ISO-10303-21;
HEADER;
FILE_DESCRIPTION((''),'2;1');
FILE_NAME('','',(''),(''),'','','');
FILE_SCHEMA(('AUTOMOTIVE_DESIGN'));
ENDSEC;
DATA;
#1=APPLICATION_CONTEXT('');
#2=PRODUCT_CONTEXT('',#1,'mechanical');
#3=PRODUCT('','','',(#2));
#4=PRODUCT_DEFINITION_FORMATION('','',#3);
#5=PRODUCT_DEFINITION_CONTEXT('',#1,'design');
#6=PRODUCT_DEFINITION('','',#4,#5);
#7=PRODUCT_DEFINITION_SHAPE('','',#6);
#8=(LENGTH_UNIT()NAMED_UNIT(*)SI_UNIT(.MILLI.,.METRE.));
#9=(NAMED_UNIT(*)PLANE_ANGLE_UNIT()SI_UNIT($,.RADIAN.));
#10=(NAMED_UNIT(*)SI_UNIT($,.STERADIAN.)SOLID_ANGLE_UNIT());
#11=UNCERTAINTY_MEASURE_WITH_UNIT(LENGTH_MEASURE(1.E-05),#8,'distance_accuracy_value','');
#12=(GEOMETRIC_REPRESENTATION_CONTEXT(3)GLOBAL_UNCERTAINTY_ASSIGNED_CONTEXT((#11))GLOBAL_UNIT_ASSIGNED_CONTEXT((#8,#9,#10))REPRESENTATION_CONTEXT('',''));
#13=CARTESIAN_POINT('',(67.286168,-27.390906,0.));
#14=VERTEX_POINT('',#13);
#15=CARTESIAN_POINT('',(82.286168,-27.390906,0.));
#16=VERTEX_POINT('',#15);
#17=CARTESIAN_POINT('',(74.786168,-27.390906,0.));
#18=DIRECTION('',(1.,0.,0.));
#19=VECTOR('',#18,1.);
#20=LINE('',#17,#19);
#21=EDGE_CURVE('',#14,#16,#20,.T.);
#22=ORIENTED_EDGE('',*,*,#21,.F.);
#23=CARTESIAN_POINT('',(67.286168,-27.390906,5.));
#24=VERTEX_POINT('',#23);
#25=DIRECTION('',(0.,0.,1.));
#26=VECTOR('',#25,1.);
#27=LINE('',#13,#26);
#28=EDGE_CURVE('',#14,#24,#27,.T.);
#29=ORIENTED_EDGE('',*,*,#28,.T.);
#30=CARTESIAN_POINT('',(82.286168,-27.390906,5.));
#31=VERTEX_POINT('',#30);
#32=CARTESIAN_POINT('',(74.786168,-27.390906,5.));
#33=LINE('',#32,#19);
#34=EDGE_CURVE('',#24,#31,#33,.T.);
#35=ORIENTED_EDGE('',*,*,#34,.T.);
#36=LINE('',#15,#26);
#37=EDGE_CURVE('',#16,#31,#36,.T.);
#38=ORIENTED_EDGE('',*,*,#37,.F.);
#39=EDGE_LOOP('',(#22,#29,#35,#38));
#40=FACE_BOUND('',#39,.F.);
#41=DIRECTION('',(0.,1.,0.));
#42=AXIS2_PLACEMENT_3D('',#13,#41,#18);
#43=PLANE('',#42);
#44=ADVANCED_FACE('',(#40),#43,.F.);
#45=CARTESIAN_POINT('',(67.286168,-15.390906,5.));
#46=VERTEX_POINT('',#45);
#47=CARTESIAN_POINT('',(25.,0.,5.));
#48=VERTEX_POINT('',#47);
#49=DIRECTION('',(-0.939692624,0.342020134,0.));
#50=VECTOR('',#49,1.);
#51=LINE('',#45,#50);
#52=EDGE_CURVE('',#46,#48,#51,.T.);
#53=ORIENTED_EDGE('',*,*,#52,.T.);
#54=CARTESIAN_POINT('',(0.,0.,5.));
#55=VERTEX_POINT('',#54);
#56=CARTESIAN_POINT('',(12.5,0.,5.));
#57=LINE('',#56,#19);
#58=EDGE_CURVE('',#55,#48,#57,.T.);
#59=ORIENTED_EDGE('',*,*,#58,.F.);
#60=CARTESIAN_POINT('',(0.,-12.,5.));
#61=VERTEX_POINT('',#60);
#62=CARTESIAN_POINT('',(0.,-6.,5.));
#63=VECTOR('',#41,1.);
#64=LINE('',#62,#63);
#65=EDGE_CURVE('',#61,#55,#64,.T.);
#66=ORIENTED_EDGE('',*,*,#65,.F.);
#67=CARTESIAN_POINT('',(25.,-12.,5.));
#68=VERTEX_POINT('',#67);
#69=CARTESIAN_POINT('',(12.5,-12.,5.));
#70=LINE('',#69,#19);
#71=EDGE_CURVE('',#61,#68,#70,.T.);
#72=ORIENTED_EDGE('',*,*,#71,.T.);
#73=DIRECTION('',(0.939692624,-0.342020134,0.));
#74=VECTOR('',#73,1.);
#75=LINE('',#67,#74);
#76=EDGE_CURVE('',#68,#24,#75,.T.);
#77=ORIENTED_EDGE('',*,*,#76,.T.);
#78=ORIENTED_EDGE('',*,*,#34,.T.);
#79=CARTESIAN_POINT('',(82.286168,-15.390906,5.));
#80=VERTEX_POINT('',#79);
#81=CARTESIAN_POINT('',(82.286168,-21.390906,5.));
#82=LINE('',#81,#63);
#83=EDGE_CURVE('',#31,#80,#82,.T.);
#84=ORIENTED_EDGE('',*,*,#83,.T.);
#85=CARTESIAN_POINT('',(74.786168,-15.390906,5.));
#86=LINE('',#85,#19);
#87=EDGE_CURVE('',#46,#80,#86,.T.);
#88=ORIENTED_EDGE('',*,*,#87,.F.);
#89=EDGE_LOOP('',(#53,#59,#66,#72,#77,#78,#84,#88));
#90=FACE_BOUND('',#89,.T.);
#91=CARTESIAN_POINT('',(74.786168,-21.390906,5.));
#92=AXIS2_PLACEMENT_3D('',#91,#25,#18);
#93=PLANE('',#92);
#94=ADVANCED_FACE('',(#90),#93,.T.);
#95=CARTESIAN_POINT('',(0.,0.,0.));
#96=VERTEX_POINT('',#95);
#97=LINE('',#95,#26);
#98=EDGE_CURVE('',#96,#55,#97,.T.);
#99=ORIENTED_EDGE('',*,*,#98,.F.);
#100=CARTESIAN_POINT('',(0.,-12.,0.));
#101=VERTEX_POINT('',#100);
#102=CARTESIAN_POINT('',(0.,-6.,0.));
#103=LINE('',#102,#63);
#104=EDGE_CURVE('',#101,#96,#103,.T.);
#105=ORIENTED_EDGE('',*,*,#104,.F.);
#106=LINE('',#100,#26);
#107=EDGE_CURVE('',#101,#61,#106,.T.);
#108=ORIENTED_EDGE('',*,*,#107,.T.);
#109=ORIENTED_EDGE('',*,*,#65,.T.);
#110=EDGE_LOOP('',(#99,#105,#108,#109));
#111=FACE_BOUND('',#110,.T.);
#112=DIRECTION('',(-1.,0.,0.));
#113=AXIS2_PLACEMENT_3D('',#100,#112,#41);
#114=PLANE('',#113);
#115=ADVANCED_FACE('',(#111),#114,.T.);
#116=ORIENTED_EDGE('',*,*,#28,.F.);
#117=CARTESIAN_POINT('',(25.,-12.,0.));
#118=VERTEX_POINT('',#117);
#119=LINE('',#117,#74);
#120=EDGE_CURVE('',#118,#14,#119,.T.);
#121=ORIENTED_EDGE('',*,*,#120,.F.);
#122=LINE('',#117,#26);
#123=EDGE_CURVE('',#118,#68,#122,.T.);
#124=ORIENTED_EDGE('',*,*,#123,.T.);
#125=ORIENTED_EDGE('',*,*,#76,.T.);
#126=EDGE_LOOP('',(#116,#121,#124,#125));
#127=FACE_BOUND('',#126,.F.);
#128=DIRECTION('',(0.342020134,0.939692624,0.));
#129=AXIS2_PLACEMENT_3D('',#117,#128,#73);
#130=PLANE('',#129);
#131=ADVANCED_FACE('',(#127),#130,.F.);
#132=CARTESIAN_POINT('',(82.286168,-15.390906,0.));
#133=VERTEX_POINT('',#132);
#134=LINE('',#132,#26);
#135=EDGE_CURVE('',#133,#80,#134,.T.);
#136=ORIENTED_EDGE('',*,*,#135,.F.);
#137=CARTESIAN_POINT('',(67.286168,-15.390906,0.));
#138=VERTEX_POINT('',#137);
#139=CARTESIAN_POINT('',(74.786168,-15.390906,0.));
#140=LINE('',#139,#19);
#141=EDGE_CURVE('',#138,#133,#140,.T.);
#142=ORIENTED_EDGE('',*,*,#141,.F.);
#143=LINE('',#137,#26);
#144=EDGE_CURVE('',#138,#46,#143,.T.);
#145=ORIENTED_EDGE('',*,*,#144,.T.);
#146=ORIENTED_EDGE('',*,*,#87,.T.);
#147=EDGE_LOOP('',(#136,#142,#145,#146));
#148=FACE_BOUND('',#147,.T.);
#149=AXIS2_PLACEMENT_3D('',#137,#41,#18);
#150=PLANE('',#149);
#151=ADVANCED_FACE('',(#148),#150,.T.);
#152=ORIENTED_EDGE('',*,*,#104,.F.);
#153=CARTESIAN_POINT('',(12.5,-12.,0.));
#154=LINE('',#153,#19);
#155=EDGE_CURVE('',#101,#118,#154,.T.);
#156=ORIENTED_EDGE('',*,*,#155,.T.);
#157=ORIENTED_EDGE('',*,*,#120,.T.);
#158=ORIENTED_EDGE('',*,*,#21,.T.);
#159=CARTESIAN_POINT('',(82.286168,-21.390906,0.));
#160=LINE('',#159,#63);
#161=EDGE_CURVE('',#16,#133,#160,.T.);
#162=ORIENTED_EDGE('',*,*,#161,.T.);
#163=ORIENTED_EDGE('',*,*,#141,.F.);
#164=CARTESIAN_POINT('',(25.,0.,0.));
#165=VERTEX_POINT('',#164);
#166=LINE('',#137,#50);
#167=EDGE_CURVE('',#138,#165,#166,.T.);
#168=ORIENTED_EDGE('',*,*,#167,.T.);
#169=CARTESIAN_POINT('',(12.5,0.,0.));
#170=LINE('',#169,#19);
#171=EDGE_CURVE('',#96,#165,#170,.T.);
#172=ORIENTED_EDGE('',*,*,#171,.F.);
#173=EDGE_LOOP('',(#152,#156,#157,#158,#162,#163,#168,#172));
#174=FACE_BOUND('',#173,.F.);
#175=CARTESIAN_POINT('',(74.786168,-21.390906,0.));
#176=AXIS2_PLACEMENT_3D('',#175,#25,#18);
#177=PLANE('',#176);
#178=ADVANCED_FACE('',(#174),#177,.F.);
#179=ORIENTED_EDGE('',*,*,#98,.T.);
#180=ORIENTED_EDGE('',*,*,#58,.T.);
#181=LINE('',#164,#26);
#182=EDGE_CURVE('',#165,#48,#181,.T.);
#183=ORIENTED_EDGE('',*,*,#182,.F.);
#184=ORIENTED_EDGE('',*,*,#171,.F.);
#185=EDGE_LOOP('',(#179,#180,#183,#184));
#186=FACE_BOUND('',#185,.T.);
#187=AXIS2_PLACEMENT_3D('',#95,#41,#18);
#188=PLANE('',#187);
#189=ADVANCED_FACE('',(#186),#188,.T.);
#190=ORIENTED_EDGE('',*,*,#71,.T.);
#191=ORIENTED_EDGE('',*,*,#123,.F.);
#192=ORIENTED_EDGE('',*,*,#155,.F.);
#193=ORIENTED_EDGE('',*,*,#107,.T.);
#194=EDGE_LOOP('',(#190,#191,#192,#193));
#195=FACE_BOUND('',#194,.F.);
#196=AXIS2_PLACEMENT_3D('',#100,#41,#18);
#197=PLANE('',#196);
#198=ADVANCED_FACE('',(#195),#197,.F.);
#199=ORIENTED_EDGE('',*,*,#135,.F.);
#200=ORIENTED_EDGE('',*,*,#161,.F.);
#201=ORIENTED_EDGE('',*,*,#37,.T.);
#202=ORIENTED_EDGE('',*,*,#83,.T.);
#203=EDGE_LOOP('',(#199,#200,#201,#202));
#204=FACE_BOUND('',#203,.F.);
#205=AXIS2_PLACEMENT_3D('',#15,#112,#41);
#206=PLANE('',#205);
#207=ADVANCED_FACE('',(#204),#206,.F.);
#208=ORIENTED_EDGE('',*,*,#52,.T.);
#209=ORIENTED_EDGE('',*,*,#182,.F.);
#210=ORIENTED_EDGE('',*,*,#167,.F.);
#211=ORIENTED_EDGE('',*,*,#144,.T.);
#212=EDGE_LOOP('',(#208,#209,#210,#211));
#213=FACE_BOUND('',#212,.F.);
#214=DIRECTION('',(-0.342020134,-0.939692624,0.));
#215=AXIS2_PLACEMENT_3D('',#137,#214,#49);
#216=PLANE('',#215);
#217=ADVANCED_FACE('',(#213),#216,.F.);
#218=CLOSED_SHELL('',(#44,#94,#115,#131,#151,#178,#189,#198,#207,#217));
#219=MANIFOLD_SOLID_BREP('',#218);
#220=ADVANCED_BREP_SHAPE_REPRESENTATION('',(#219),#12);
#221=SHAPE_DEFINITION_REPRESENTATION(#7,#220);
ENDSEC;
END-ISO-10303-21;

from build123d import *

# Parameters (mm, degrees)
F0_W     = 15
F0_H     = 12
F0_W_2   = 25
F1_DEPTH = 5


with BuildPart() as f1:
    # F0 (on Top) → F1 (new body)
    with BuildSketch(Plane.XY):
        with Locations((74.786168, -21.390906)):
            Rectangle(F0_W, F0_H)
        Polygon((67.286168, -15.390906), (25, 0), (25, -12), (67.286168, -27.390906), align=None)
        with Locations((12.5, -6)):
            Rectangle(F0_W_2, F0_H)
    extrude(amount=F1_DEPTH)


solid = f1.part
